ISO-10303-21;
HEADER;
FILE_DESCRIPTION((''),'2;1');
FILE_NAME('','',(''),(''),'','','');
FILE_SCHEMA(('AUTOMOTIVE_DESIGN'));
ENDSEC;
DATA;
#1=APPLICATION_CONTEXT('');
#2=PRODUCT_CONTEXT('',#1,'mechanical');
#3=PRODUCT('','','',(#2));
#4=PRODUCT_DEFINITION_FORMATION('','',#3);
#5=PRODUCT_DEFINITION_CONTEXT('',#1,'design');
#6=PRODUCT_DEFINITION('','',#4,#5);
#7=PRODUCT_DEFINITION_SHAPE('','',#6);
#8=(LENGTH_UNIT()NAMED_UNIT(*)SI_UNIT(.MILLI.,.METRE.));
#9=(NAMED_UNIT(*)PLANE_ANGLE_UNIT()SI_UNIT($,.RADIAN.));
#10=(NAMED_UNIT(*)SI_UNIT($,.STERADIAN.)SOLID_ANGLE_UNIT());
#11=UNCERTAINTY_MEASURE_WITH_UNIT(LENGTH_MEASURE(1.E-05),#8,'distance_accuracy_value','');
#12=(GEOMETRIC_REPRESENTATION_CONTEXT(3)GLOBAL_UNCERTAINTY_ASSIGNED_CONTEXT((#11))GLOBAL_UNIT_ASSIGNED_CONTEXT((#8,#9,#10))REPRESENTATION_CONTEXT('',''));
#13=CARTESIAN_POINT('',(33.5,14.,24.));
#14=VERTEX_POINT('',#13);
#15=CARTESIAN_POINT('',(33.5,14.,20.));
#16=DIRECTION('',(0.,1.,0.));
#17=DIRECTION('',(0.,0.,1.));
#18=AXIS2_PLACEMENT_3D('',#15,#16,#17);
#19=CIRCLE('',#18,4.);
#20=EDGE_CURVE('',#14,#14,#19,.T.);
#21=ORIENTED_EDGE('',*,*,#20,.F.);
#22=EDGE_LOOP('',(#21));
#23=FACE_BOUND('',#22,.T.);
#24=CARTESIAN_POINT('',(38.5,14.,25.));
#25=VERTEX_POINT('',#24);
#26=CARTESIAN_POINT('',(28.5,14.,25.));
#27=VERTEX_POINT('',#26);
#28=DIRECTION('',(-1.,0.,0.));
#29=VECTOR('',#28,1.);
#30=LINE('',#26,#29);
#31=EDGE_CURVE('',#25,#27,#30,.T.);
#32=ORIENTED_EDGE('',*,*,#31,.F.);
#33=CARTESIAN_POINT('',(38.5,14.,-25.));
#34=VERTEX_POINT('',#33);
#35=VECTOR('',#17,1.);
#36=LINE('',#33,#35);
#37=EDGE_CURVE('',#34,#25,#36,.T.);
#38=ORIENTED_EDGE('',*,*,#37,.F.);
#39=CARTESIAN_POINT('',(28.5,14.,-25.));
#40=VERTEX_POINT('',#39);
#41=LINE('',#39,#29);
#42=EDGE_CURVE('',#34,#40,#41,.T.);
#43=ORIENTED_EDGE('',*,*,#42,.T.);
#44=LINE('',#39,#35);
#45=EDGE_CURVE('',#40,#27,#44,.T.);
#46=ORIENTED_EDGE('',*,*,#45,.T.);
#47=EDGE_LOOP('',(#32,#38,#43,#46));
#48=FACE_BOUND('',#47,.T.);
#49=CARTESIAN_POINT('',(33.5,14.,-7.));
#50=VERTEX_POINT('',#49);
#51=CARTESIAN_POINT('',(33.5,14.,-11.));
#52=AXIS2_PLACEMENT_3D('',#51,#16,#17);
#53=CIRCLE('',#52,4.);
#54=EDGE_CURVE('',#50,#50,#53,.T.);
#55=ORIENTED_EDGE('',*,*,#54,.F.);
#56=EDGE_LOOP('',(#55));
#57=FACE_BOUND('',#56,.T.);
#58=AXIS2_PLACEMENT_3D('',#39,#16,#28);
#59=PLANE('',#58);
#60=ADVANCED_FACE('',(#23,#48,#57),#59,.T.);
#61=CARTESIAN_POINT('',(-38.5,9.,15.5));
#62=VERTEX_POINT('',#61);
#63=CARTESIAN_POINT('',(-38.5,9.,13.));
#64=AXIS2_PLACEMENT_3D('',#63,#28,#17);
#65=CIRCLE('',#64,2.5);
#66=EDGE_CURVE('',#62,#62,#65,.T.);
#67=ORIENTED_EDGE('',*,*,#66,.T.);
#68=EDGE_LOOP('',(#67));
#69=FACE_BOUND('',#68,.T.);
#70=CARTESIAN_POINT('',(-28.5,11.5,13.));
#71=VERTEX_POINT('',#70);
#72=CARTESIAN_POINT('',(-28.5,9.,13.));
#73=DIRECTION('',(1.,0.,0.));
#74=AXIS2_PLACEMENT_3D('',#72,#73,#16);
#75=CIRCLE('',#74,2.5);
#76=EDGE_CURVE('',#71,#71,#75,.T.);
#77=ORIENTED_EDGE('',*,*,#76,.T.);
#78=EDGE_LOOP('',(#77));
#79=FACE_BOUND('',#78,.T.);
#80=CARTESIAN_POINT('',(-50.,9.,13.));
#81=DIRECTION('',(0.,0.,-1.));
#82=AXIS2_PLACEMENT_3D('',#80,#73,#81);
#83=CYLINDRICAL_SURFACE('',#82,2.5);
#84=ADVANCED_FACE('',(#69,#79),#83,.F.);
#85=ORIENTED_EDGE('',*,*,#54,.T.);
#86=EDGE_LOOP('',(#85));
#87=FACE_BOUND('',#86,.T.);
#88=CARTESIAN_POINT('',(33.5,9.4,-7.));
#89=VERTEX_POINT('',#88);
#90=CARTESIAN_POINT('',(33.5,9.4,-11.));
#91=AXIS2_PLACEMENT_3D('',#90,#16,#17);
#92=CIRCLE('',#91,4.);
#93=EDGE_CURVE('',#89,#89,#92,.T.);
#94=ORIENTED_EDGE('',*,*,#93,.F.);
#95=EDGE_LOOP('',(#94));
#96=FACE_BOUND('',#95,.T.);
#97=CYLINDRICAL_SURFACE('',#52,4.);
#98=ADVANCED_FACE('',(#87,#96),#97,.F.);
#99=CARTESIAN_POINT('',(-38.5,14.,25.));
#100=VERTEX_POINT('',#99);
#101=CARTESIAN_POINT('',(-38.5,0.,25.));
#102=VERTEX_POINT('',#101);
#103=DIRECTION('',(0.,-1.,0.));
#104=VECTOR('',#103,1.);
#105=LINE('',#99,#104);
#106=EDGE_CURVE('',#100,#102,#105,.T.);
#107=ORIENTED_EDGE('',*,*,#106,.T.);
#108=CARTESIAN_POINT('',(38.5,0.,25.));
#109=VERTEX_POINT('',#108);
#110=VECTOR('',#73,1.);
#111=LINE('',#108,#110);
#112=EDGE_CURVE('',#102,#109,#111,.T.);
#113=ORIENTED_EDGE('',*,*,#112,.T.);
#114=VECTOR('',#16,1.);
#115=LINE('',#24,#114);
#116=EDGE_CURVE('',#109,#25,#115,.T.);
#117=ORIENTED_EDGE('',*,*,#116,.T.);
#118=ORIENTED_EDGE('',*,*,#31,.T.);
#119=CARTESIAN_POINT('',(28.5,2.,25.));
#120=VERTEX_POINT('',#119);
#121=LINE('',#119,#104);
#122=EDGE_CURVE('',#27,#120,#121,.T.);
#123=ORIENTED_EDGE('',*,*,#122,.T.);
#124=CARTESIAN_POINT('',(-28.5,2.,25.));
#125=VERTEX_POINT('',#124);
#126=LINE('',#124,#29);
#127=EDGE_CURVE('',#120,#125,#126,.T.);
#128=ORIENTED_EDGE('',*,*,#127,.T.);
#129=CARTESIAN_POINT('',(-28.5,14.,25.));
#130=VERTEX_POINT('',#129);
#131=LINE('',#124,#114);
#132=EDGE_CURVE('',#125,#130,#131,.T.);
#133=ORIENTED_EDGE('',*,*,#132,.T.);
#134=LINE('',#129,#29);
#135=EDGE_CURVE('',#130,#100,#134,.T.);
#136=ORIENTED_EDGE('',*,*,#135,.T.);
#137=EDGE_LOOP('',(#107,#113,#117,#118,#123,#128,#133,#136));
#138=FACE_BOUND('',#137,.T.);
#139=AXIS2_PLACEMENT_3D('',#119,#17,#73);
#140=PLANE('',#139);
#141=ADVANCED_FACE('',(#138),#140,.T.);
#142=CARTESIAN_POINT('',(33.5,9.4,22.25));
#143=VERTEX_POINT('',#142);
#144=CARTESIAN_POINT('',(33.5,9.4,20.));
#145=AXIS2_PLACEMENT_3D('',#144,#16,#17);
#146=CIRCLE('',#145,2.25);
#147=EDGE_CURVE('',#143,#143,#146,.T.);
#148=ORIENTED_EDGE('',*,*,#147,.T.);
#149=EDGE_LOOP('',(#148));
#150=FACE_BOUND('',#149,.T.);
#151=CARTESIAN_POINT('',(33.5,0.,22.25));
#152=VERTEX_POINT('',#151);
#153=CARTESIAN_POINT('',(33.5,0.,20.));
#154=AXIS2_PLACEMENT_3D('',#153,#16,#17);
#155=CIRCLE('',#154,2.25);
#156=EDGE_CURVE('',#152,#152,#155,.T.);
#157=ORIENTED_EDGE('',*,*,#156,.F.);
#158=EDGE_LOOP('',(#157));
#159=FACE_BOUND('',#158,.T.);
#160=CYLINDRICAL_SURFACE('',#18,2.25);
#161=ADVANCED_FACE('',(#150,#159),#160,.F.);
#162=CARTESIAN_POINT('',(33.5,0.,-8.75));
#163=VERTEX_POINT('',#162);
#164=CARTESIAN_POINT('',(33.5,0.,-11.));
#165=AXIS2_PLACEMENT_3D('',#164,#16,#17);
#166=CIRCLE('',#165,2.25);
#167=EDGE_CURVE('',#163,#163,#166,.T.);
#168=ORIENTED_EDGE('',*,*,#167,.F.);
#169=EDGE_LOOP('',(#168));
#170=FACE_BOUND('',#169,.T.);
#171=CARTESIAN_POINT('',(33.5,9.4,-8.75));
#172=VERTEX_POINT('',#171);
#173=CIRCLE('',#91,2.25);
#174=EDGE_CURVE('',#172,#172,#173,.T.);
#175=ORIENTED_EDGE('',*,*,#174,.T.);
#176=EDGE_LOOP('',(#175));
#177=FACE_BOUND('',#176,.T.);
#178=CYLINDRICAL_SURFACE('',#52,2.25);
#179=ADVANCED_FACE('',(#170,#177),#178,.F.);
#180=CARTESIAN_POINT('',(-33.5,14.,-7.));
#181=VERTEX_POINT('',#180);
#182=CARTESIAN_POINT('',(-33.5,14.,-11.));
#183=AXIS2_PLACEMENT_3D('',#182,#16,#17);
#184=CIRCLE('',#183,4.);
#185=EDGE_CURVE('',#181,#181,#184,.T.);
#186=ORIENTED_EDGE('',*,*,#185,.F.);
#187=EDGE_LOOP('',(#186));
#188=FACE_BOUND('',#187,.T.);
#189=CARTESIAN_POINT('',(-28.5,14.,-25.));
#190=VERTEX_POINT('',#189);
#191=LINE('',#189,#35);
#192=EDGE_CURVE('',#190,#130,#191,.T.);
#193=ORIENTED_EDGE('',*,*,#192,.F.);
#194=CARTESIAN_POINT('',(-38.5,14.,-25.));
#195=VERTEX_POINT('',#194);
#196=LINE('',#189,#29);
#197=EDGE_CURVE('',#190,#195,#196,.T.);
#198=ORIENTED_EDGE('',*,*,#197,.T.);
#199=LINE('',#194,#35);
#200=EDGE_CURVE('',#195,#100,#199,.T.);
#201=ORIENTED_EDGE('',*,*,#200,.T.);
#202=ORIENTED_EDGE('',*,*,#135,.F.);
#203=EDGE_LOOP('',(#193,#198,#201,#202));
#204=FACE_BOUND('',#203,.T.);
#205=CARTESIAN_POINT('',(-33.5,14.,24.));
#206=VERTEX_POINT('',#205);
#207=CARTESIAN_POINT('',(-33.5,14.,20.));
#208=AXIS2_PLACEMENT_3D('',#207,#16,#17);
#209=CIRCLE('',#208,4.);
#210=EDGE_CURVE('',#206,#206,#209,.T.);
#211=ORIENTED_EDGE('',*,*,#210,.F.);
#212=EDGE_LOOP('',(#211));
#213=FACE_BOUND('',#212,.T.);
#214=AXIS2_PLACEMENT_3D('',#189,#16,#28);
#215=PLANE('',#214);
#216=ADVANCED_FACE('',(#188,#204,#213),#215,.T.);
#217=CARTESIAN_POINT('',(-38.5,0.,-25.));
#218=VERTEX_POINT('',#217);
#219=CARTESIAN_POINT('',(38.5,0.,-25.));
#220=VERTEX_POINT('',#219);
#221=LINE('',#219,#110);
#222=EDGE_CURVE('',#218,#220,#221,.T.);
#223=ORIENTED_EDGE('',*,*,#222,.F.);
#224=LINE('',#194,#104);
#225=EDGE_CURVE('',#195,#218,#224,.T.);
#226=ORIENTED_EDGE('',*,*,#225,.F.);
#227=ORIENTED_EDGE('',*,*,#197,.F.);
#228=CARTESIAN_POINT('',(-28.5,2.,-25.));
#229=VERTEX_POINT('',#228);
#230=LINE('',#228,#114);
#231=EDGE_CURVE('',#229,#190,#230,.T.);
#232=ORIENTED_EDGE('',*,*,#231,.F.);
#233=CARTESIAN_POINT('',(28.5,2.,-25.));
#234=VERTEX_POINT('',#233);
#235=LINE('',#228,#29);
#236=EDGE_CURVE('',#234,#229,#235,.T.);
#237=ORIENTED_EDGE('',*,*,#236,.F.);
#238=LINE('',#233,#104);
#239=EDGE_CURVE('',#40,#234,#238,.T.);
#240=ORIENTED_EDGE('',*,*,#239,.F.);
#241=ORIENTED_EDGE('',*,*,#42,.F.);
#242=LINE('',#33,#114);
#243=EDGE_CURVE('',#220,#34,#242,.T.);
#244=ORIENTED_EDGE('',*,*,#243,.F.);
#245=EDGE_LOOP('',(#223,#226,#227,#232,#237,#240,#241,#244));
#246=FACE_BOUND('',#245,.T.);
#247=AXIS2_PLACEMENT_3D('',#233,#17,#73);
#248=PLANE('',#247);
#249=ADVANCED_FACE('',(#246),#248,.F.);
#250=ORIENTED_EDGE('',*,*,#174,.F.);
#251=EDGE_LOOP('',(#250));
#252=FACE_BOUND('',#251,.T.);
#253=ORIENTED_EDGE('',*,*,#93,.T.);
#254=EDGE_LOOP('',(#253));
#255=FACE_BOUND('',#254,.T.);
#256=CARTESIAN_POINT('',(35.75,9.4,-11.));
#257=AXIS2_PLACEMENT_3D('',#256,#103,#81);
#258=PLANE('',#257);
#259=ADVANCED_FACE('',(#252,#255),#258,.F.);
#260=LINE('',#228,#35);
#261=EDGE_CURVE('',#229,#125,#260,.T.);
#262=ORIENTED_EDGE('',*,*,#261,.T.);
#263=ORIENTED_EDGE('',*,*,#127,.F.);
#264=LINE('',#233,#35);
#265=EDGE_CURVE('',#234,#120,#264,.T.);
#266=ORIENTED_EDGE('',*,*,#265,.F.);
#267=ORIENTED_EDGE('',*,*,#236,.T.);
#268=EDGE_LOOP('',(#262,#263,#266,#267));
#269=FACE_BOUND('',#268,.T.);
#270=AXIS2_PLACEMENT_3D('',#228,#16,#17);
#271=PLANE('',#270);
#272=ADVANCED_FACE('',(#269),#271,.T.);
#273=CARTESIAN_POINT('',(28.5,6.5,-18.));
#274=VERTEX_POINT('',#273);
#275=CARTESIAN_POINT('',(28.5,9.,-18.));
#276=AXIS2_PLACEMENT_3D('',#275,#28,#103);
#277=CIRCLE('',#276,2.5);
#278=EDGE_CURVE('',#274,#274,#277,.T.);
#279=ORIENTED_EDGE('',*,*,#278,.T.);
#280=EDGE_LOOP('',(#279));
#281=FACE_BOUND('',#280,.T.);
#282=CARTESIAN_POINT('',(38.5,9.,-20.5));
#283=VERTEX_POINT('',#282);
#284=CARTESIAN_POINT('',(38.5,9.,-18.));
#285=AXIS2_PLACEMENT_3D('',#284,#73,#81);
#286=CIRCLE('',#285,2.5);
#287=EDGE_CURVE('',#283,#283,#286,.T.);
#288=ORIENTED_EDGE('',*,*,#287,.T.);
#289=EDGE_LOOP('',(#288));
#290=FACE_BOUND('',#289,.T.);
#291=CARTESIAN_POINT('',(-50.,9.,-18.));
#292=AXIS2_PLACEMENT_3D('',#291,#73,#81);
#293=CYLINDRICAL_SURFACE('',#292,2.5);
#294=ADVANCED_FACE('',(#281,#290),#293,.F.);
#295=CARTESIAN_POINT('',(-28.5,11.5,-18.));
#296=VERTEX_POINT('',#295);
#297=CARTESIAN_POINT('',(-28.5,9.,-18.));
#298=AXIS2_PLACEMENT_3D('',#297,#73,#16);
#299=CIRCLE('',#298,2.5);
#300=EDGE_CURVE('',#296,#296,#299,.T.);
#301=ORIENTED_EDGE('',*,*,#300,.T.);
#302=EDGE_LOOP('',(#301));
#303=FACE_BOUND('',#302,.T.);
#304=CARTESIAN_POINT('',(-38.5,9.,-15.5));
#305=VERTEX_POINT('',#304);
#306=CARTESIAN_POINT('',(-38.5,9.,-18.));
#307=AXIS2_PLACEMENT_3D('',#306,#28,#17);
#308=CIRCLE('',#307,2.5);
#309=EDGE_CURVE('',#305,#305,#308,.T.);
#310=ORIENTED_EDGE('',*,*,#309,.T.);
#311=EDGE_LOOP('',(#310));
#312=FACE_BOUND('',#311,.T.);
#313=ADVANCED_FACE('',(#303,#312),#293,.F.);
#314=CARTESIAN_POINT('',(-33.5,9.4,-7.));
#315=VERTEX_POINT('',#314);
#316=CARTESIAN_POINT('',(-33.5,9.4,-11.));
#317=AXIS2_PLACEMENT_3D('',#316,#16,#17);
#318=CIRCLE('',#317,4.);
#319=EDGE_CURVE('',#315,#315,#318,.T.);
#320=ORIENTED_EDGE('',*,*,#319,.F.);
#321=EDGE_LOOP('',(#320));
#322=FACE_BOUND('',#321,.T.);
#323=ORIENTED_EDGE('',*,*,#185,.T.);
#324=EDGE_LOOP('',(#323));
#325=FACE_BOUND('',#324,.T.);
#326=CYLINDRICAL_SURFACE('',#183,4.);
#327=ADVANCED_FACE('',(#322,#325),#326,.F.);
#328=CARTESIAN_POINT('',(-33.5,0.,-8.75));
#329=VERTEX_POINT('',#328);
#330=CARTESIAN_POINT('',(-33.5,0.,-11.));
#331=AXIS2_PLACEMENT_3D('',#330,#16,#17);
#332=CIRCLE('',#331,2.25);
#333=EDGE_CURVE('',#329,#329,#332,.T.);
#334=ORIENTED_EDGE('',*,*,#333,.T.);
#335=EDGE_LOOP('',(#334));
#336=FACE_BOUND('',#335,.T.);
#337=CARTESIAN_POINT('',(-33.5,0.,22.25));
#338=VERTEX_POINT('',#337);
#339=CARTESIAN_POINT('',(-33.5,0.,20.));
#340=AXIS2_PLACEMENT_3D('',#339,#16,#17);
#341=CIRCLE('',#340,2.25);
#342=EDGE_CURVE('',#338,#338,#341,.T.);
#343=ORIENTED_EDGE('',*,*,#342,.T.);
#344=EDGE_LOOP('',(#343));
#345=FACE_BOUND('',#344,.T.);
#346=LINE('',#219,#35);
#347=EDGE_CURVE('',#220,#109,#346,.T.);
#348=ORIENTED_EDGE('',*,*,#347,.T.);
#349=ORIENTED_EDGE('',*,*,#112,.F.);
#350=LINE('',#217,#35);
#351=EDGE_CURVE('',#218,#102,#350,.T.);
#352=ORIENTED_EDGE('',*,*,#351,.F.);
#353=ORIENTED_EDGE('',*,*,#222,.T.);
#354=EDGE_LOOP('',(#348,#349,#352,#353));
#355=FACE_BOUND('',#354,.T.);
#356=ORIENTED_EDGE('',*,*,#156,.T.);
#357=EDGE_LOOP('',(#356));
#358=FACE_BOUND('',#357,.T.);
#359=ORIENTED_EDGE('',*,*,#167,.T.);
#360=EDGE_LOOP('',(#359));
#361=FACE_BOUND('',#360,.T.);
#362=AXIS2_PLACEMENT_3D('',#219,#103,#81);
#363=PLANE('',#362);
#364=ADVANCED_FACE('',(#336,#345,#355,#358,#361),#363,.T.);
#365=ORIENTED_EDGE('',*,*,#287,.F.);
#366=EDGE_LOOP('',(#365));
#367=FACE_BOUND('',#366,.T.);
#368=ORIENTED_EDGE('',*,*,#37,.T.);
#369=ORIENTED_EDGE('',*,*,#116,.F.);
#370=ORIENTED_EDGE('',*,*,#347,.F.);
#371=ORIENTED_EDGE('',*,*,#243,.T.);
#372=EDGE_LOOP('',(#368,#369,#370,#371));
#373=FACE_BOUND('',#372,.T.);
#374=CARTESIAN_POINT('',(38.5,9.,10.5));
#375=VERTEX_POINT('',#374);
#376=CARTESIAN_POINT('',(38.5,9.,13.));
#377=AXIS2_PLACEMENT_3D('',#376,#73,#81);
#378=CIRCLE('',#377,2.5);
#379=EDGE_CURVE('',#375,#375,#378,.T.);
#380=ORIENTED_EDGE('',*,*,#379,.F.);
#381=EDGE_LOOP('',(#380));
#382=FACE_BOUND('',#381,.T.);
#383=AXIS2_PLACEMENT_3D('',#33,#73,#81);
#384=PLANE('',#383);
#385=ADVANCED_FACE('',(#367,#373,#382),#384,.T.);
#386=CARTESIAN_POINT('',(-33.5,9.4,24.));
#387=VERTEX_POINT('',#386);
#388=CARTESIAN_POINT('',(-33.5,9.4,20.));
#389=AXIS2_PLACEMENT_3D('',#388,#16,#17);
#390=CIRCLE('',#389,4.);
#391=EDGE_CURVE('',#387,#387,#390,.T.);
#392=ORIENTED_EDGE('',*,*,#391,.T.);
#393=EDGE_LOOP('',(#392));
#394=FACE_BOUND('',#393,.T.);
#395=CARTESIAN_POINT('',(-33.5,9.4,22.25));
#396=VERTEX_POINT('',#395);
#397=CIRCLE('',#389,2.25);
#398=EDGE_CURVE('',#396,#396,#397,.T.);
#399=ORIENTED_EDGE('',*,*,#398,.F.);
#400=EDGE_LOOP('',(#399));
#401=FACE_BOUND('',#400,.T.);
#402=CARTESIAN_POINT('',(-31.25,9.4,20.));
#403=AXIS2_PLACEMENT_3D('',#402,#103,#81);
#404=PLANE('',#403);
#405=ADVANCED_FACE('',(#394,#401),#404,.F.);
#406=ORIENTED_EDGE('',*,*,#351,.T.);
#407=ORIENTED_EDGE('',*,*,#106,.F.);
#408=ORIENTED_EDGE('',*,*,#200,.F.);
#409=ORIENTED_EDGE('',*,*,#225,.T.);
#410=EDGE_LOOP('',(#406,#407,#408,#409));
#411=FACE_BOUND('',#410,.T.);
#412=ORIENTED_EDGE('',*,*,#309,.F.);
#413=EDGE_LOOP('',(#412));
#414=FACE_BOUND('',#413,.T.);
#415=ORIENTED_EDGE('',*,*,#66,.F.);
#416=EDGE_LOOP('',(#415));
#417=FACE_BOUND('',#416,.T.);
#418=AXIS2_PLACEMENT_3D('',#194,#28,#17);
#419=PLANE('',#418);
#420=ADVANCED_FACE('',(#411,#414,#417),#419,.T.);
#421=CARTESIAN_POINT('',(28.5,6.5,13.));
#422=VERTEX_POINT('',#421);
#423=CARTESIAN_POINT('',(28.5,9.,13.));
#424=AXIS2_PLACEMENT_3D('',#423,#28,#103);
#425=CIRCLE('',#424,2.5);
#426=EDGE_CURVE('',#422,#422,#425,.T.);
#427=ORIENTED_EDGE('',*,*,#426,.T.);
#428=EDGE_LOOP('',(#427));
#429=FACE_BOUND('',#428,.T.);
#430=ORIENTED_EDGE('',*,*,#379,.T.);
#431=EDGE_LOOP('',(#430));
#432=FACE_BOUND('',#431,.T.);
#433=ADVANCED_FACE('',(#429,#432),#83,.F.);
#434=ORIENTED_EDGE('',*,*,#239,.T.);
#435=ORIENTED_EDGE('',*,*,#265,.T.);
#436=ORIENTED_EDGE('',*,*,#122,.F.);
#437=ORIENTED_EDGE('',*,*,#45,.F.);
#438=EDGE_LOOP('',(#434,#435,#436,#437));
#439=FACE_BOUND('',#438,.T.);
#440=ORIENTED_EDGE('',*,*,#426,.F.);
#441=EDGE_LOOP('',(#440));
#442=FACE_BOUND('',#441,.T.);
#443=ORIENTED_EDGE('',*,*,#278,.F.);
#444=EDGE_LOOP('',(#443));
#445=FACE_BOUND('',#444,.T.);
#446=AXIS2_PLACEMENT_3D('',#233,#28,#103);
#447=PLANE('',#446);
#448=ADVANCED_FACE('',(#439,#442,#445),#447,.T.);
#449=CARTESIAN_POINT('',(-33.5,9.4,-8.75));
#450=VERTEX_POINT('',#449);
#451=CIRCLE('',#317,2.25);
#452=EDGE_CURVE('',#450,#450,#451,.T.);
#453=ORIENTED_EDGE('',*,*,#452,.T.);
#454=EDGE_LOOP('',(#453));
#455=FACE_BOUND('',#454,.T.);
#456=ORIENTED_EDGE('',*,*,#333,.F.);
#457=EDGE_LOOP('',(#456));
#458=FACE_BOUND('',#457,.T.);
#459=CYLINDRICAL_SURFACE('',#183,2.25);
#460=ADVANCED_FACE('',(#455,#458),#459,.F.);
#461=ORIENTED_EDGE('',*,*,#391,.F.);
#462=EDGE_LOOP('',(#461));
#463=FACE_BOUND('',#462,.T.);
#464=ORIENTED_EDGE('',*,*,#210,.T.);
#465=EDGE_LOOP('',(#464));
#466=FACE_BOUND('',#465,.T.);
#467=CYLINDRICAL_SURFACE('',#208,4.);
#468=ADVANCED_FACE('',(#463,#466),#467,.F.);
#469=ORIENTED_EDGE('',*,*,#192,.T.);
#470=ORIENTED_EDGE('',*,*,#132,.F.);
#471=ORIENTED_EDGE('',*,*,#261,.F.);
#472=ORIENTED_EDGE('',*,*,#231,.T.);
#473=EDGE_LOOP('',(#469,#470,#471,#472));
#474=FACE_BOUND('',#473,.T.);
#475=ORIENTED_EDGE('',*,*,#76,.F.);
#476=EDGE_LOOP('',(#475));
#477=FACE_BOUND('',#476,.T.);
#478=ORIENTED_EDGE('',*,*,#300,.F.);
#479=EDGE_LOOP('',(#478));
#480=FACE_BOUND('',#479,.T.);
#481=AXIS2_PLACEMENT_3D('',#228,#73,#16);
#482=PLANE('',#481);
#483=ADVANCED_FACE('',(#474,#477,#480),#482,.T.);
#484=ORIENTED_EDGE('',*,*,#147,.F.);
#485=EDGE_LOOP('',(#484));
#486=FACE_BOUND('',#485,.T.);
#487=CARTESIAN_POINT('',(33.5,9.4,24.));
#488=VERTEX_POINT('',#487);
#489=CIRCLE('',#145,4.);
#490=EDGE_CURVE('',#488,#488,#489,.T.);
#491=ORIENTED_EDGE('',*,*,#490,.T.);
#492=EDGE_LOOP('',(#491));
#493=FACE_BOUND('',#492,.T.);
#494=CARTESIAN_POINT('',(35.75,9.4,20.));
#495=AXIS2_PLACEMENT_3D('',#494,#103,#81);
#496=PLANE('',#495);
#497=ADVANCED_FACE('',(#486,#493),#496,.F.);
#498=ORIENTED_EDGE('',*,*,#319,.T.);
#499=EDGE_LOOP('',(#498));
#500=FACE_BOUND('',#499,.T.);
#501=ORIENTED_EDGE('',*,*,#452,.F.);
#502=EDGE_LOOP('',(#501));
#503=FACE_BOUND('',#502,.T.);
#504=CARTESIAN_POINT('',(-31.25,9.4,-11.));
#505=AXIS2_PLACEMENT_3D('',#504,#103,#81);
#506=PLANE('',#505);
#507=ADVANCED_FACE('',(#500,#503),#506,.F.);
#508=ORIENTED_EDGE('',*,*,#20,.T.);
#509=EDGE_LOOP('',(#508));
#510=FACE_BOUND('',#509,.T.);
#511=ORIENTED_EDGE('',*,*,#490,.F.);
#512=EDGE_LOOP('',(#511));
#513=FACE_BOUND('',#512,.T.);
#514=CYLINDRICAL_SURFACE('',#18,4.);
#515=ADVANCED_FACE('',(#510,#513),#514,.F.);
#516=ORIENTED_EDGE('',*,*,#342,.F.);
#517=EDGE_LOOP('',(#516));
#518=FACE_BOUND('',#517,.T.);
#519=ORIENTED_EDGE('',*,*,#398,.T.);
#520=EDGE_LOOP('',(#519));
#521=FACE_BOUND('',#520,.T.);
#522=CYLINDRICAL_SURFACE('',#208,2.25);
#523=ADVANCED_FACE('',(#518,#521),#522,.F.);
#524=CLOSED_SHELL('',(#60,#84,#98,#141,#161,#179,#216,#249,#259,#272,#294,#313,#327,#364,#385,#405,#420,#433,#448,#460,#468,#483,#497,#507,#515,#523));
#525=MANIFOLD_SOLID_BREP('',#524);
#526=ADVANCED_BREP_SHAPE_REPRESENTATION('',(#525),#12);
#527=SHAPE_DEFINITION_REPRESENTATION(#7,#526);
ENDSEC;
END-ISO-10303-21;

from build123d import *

# Parameters (mm, degrees)
EXTRUDE_1_DEPTH           = 25
SKETCH_4_R                = 2.5
CUT_EXTRUDE_1_DEPTH       = 50
HOLE_WIZARD_2_D           = 4.5
HOLE_WIZARD_2_CBORE_D     = 8
HOLE_WIZARD_2_CBORE_DEPTH = 4.6


with BuildPart() as part:
    # 草图1 → 凸台-拉伸1 (new, symmetric)
    with BuildSketch(Plane.XY):
        Polygon((-28.5, 2), (-28.5, 14), (-38.5, 14), (-38.5, 0), (38.5, 0), (38.5, 14), (28.5, 14), (28.5, 2), align=None)
    extrude(amount=EXTRUDE_1_DEPTH, both=True)

    # 草图4 → 切除-拉伸1 (cut, symmetric)
    with BuildSketch(Plane(origin=(0, 0, 0), x_dir=(0, 0, -1), z_dir=(1, 0, 0))):
        with Locations(Location((18, 9, 0), (0, 0, 90))):
            Circle(SKETCH_4_R)
        with Locations(Location((-13, 9, 0), (0, 0, 90))):
            Circle(SKETCH_4_R)
    extrude(amount=CUT_EXTRUDE_1_DEPTH, both=True, mode=Mode.SUBTRACT)

    # 打孔尺寸根据内六角圆柱头螺钉的类型2 (through all)
    with Locations(Plane(origin=(0, 14, 0), x_dir=(-1, 0, 0), z_dir=(0, 1, 0))):
        with Locations((33.5, -11), (33.5, 20)):
            hole_wizard_2 = CounterBoreHole(HOLE_WIZARD_2_D / 2, HOLE_WIZARD_2_CBORE_D / 2, HOLE_WIZARD_2_CBORE_DEPTH)

    # 镜向2: 打孔尺寸根据内六角圆柱头螺钉的类型2 across plane
    add(hole_wizard_2.mirror(Plane(origin=(0, 0, 0), x_dir=(0, 0, 1), z_dir=(1, 0, 0))), mode=Mode.SUBTRACT)


solid = part.part
